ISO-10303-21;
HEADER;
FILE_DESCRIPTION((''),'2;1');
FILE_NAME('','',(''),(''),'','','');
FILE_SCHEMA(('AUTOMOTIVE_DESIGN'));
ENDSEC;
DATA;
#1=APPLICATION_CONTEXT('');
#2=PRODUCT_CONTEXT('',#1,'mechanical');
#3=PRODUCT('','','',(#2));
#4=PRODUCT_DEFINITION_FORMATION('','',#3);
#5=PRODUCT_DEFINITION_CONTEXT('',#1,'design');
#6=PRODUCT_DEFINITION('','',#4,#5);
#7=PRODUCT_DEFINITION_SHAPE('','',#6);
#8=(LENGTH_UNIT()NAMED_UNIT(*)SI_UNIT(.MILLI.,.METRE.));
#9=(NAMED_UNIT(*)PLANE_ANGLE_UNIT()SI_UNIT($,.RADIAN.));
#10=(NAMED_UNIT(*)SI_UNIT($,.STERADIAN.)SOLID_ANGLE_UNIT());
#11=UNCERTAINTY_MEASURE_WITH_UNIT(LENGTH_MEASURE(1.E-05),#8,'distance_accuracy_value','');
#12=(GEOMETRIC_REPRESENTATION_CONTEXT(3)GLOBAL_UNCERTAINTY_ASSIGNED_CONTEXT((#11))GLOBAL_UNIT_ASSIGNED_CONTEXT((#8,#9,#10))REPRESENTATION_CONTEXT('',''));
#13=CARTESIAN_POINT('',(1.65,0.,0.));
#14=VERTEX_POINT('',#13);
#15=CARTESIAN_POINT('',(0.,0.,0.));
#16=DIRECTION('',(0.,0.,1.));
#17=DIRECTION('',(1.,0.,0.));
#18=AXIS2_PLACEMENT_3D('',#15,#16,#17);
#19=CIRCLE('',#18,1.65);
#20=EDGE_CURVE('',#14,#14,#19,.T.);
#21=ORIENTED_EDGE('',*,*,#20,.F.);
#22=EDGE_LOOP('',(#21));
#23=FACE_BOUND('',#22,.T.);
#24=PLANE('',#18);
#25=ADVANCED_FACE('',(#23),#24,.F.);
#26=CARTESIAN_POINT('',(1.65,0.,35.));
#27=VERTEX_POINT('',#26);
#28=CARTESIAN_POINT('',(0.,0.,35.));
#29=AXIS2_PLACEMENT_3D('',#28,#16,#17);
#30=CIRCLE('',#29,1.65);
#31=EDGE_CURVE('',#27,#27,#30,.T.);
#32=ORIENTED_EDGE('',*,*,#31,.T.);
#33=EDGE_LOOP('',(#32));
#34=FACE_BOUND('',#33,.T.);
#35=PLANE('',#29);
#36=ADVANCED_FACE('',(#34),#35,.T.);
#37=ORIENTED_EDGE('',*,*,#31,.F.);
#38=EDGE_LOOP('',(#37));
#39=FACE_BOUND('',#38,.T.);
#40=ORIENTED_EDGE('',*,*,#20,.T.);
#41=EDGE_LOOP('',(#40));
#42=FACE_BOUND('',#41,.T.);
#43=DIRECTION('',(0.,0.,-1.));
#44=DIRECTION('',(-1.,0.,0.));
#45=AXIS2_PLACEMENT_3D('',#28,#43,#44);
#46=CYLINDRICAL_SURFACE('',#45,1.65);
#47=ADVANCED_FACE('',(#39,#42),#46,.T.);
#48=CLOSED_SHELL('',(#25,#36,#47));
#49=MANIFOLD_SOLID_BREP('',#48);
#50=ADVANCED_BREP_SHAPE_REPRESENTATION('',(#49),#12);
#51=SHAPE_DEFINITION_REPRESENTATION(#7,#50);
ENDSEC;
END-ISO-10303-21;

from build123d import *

# Parameters (mm, degrees)
SKETCH1_R        = 1.65
EXTRUSION1_DEPTH = 35


with BuildPart() as part:
    # Sketch1 → Extrusion1 (new body)
    with BuildSketch(Plane.XY):
        Circle(SKETCH1_R)
    extrude(amount=EXTRUSION1_DEPTH)


solid = part.part
